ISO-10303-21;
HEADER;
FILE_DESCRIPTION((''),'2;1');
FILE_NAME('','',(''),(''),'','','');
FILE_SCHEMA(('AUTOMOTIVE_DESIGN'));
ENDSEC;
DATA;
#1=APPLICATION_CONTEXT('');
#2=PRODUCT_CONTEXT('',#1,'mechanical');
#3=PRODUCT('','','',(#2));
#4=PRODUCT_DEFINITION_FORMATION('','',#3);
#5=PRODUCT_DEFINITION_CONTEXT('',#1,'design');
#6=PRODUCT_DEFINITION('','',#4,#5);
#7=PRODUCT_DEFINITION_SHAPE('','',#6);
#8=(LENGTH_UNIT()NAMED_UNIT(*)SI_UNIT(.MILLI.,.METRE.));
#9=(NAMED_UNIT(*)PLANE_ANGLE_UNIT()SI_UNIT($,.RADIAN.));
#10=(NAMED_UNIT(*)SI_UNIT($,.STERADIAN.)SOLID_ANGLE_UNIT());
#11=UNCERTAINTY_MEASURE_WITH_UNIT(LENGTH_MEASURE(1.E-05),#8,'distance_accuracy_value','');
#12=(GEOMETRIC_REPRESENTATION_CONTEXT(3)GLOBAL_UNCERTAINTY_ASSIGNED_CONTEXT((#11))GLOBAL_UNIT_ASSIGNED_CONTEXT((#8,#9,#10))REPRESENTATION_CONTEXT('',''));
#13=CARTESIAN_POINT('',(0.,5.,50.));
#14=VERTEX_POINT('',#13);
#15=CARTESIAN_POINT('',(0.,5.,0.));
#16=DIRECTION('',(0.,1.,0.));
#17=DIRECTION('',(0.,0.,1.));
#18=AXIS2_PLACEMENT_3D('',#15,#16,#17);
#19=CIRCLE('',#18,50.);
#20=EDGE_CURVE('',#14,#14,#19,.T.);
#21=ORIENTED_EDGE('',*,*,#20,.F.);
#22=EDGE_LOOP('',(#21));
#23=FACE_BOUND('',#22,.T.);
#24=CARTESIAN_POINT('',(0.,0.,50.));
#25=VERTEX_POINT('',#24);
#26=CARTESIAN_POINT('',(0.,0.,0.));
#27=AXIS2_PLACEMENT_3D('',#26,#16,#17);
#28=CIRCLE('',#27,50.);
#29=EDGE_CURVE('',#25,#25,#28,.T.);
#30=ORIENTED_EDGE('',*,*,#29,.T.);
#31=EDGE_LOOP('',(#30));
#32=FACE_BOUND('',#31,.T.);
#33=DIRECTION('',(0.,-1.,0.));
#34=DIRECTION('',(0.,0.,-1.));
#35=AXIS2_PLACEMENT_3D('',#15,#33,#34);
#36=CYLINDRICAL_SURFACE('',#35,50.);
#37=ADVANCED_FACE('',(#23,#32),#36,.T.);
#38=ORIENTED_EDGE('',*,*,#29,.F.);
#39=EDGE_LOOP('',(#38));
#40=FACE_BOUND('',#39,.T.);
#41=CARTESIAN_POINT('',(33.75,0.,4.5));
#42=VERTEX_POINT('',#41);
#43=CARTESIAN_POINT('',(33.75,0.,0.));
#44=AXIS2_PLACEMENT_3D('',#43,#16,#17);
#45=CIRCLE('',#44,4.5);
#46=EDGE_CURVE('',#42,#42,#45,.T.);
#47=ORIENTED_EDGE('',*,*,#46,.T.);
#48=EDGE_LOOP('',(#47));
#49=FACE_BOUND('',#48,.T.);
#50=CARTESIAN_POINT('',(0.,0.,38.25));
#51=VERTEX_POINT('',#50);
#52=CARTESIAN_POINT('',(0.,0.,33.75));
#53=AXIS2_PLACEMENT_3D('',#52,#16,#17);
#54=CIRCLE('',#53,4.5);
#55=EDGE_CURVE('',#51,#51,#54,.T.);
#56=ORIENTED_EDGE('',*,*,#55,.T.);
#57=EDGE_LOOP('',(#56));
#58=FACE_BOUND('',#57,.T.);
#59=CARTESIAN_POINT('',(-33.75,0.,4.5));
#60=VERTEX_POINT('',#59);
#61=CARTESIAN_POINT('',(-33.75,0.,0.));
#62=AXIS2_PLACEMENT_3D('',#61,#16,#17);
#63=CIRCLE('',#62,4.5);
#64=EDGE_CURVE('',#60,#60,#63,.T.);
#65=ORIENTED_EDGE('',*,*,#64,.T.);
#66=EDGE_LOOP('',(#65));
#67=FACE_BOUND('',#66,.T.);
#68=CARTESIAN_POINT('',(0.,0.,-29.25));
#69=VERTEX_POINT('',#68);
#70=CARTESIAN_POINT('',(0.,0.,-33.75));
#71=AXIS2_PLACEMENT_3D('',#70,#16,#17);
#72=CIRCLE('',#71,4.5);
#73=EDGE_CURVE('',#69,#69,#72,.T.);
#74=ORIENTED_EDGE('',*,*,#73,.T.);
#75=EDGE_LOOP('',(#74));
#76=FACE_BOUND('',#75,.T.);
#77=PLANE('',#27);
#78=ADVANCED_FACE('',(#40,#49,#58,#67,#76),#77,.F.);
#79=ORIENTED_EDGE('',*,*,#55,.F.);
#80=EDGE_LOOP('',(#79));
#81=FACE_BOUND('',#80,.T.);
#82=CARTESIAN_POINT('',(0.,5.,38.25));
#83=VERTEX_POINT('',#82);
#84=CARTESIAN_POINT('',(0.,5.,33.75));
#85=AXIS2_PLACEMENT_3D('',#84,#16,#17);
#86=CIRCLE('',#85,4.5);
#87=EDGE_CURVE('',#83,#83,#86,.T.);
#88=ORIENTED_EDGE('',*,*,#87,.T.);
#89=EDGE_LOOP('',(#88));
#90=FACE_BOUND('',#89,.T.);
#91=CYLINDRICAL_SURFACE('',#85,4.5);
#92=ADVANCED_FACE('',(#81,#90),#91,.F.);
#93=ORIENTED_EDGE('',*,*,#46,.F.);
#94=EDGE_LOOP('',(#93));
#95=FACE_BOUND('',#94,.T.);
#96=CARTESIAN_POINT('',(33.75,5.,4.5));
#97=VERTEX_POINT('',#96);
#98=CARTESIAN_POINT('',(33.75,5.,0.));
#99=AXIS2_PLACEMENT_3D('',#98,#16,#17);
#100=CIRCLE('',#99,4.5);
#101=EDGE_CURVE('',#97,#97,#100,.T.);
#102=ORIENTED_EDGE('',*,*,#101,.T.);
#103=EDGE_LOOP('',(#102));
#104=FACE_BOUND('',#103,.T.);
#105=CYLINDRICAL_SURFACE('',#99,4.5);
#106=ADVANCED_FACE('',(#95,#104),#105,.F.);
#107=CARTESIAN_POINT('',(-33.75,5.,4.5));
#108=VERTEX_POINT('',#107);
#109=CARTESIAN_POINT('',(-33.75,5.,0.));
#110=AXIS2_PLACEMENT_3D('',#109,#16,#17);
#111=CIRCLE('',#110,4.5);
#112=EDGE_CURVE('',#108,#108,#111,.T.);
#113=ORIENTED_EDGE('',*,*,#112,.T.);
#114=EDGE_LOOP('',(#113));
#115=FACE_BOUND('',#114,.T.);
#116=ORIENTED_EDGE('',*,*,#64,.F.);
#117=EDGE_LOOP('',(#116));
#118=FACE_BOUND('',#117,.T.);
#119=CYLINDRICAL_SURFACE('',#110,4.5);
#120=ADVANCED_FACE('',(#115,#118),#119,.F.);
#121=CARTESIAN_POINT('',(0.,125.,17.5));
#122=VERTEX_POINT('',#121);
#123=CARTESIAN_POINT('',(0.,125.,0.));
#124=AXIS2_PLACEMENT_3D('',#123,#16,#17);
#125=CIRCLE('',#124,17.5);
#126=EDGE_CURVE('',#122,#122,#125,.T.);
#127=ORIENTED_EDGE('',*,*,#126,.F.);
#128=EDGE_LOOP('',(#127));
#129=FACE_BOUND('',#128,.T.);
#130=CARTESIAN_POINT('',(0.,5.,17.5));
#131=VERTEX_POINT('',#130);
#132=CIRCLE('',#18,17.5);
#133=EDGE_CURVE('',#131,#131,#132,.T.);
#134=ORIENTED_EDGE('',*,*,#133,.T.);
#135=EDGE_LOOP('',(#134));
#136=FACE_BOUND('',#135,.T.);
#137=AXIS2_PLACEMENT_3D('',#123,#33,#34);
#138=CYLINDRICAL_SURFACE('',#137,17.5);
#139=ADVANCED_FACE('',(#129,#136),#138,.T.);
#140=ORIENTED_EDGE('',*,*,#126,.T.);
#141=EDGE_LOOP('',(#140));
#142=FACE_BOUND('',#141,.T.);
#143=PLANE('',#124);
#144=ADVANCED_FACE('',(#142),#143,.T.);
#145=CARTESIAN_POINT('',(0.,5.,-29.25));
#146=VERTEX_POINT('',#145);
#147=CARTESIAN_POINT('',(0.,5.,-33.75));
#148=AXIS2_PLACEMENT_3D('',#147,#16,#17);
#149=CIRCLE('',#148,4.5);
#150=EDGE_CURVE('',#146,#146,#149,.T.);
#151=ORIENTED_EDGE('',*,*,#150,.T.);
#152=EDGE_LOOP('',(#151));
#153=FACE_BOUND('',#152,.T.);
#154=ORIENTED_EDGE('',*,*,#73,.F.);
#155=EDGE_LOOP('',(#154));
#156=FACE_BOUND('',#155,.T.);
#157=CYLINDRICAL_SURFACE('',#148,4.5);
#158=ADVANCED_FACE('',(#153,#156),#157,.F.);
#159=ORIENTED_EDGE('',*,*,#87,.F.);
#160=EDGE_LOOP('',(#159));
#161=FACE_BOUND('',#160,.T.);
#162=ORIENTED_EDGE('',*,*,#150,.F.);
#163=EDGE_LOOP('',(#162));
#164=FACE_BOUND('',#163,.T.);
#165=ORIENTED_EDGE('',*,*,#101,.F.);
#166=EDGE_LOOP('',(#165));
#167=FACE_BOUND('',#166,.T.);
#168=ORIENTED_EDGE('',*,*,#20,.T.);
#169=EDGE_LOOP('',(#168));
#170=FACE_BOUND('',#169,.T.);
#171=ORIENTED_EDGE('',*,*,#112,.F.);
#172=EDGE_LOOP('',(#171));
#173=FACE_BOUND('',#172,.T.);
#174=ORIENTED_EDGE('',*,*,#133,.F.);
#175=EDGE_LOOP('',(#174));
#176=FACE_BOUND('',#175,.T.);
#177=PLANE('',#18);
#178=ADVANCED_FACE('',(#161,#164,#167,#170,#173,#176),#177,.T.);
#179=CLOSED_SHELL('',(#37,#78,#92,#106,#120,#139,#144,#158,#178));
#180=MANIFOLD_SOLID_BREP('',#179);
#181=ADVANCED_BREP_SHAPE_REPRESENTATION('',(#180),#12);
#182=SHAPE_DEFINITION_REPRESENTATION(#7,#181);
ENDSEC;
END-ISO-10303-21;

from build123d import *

# Parameters (mm, degrees)
SZKIC1_R                    = 50
DODANIE_WYCI_GNI_CIE1_DEPTH = 5
SZKIC2_R                    = 17.5
DODANIE_WYCI_GNI_CIE2_DEPTH = 120
OTW_R_POD_RUB_M81_D         = 9


with BuildPart() as part:
    # Szkic1 → Dodanie-wyciągnięcie1 (new body)
    with BuildSketch(Plane(origin=(0, 0, 0), x_dir=(1, 0, 0), z_dir=(0, 1, 0))):
        with Locations(Location((0, 0, 0), (0, 0, 270))):
            Circle(SZKIC1_R)
    extrude(amount=DODANIE_WYCI_GNI_CIE1_DEPTH)

    # Szkic2 → Dodanie-wyciągnięcie2 (add)
    with BuildSketch(Plane(origin=(0, 5, 0), x_dir=(1, 0, 0), z_dir=(0, 1, 0))):
        with Locations(Location((0, 0, 0), (0, 0, 270))):
            Circle(SZKIC2_R)
    extrude(amount=DODANIE_WYCI_GNI_CIE2_DEPTH)

    # Otwór pod śrubę M81 (through all)
    with Locations(Plane(origin=(0, 5, 0), x_dir=(1, 0, 0), z_dir=(0, 1, 0))):
        with Locations((-33.75, 0), (0, 33.75), (0, -33.75), (33.75, 0)):
            Hole(OTW_R_POD_RUB_M81_D / 2)


solid = part.part
